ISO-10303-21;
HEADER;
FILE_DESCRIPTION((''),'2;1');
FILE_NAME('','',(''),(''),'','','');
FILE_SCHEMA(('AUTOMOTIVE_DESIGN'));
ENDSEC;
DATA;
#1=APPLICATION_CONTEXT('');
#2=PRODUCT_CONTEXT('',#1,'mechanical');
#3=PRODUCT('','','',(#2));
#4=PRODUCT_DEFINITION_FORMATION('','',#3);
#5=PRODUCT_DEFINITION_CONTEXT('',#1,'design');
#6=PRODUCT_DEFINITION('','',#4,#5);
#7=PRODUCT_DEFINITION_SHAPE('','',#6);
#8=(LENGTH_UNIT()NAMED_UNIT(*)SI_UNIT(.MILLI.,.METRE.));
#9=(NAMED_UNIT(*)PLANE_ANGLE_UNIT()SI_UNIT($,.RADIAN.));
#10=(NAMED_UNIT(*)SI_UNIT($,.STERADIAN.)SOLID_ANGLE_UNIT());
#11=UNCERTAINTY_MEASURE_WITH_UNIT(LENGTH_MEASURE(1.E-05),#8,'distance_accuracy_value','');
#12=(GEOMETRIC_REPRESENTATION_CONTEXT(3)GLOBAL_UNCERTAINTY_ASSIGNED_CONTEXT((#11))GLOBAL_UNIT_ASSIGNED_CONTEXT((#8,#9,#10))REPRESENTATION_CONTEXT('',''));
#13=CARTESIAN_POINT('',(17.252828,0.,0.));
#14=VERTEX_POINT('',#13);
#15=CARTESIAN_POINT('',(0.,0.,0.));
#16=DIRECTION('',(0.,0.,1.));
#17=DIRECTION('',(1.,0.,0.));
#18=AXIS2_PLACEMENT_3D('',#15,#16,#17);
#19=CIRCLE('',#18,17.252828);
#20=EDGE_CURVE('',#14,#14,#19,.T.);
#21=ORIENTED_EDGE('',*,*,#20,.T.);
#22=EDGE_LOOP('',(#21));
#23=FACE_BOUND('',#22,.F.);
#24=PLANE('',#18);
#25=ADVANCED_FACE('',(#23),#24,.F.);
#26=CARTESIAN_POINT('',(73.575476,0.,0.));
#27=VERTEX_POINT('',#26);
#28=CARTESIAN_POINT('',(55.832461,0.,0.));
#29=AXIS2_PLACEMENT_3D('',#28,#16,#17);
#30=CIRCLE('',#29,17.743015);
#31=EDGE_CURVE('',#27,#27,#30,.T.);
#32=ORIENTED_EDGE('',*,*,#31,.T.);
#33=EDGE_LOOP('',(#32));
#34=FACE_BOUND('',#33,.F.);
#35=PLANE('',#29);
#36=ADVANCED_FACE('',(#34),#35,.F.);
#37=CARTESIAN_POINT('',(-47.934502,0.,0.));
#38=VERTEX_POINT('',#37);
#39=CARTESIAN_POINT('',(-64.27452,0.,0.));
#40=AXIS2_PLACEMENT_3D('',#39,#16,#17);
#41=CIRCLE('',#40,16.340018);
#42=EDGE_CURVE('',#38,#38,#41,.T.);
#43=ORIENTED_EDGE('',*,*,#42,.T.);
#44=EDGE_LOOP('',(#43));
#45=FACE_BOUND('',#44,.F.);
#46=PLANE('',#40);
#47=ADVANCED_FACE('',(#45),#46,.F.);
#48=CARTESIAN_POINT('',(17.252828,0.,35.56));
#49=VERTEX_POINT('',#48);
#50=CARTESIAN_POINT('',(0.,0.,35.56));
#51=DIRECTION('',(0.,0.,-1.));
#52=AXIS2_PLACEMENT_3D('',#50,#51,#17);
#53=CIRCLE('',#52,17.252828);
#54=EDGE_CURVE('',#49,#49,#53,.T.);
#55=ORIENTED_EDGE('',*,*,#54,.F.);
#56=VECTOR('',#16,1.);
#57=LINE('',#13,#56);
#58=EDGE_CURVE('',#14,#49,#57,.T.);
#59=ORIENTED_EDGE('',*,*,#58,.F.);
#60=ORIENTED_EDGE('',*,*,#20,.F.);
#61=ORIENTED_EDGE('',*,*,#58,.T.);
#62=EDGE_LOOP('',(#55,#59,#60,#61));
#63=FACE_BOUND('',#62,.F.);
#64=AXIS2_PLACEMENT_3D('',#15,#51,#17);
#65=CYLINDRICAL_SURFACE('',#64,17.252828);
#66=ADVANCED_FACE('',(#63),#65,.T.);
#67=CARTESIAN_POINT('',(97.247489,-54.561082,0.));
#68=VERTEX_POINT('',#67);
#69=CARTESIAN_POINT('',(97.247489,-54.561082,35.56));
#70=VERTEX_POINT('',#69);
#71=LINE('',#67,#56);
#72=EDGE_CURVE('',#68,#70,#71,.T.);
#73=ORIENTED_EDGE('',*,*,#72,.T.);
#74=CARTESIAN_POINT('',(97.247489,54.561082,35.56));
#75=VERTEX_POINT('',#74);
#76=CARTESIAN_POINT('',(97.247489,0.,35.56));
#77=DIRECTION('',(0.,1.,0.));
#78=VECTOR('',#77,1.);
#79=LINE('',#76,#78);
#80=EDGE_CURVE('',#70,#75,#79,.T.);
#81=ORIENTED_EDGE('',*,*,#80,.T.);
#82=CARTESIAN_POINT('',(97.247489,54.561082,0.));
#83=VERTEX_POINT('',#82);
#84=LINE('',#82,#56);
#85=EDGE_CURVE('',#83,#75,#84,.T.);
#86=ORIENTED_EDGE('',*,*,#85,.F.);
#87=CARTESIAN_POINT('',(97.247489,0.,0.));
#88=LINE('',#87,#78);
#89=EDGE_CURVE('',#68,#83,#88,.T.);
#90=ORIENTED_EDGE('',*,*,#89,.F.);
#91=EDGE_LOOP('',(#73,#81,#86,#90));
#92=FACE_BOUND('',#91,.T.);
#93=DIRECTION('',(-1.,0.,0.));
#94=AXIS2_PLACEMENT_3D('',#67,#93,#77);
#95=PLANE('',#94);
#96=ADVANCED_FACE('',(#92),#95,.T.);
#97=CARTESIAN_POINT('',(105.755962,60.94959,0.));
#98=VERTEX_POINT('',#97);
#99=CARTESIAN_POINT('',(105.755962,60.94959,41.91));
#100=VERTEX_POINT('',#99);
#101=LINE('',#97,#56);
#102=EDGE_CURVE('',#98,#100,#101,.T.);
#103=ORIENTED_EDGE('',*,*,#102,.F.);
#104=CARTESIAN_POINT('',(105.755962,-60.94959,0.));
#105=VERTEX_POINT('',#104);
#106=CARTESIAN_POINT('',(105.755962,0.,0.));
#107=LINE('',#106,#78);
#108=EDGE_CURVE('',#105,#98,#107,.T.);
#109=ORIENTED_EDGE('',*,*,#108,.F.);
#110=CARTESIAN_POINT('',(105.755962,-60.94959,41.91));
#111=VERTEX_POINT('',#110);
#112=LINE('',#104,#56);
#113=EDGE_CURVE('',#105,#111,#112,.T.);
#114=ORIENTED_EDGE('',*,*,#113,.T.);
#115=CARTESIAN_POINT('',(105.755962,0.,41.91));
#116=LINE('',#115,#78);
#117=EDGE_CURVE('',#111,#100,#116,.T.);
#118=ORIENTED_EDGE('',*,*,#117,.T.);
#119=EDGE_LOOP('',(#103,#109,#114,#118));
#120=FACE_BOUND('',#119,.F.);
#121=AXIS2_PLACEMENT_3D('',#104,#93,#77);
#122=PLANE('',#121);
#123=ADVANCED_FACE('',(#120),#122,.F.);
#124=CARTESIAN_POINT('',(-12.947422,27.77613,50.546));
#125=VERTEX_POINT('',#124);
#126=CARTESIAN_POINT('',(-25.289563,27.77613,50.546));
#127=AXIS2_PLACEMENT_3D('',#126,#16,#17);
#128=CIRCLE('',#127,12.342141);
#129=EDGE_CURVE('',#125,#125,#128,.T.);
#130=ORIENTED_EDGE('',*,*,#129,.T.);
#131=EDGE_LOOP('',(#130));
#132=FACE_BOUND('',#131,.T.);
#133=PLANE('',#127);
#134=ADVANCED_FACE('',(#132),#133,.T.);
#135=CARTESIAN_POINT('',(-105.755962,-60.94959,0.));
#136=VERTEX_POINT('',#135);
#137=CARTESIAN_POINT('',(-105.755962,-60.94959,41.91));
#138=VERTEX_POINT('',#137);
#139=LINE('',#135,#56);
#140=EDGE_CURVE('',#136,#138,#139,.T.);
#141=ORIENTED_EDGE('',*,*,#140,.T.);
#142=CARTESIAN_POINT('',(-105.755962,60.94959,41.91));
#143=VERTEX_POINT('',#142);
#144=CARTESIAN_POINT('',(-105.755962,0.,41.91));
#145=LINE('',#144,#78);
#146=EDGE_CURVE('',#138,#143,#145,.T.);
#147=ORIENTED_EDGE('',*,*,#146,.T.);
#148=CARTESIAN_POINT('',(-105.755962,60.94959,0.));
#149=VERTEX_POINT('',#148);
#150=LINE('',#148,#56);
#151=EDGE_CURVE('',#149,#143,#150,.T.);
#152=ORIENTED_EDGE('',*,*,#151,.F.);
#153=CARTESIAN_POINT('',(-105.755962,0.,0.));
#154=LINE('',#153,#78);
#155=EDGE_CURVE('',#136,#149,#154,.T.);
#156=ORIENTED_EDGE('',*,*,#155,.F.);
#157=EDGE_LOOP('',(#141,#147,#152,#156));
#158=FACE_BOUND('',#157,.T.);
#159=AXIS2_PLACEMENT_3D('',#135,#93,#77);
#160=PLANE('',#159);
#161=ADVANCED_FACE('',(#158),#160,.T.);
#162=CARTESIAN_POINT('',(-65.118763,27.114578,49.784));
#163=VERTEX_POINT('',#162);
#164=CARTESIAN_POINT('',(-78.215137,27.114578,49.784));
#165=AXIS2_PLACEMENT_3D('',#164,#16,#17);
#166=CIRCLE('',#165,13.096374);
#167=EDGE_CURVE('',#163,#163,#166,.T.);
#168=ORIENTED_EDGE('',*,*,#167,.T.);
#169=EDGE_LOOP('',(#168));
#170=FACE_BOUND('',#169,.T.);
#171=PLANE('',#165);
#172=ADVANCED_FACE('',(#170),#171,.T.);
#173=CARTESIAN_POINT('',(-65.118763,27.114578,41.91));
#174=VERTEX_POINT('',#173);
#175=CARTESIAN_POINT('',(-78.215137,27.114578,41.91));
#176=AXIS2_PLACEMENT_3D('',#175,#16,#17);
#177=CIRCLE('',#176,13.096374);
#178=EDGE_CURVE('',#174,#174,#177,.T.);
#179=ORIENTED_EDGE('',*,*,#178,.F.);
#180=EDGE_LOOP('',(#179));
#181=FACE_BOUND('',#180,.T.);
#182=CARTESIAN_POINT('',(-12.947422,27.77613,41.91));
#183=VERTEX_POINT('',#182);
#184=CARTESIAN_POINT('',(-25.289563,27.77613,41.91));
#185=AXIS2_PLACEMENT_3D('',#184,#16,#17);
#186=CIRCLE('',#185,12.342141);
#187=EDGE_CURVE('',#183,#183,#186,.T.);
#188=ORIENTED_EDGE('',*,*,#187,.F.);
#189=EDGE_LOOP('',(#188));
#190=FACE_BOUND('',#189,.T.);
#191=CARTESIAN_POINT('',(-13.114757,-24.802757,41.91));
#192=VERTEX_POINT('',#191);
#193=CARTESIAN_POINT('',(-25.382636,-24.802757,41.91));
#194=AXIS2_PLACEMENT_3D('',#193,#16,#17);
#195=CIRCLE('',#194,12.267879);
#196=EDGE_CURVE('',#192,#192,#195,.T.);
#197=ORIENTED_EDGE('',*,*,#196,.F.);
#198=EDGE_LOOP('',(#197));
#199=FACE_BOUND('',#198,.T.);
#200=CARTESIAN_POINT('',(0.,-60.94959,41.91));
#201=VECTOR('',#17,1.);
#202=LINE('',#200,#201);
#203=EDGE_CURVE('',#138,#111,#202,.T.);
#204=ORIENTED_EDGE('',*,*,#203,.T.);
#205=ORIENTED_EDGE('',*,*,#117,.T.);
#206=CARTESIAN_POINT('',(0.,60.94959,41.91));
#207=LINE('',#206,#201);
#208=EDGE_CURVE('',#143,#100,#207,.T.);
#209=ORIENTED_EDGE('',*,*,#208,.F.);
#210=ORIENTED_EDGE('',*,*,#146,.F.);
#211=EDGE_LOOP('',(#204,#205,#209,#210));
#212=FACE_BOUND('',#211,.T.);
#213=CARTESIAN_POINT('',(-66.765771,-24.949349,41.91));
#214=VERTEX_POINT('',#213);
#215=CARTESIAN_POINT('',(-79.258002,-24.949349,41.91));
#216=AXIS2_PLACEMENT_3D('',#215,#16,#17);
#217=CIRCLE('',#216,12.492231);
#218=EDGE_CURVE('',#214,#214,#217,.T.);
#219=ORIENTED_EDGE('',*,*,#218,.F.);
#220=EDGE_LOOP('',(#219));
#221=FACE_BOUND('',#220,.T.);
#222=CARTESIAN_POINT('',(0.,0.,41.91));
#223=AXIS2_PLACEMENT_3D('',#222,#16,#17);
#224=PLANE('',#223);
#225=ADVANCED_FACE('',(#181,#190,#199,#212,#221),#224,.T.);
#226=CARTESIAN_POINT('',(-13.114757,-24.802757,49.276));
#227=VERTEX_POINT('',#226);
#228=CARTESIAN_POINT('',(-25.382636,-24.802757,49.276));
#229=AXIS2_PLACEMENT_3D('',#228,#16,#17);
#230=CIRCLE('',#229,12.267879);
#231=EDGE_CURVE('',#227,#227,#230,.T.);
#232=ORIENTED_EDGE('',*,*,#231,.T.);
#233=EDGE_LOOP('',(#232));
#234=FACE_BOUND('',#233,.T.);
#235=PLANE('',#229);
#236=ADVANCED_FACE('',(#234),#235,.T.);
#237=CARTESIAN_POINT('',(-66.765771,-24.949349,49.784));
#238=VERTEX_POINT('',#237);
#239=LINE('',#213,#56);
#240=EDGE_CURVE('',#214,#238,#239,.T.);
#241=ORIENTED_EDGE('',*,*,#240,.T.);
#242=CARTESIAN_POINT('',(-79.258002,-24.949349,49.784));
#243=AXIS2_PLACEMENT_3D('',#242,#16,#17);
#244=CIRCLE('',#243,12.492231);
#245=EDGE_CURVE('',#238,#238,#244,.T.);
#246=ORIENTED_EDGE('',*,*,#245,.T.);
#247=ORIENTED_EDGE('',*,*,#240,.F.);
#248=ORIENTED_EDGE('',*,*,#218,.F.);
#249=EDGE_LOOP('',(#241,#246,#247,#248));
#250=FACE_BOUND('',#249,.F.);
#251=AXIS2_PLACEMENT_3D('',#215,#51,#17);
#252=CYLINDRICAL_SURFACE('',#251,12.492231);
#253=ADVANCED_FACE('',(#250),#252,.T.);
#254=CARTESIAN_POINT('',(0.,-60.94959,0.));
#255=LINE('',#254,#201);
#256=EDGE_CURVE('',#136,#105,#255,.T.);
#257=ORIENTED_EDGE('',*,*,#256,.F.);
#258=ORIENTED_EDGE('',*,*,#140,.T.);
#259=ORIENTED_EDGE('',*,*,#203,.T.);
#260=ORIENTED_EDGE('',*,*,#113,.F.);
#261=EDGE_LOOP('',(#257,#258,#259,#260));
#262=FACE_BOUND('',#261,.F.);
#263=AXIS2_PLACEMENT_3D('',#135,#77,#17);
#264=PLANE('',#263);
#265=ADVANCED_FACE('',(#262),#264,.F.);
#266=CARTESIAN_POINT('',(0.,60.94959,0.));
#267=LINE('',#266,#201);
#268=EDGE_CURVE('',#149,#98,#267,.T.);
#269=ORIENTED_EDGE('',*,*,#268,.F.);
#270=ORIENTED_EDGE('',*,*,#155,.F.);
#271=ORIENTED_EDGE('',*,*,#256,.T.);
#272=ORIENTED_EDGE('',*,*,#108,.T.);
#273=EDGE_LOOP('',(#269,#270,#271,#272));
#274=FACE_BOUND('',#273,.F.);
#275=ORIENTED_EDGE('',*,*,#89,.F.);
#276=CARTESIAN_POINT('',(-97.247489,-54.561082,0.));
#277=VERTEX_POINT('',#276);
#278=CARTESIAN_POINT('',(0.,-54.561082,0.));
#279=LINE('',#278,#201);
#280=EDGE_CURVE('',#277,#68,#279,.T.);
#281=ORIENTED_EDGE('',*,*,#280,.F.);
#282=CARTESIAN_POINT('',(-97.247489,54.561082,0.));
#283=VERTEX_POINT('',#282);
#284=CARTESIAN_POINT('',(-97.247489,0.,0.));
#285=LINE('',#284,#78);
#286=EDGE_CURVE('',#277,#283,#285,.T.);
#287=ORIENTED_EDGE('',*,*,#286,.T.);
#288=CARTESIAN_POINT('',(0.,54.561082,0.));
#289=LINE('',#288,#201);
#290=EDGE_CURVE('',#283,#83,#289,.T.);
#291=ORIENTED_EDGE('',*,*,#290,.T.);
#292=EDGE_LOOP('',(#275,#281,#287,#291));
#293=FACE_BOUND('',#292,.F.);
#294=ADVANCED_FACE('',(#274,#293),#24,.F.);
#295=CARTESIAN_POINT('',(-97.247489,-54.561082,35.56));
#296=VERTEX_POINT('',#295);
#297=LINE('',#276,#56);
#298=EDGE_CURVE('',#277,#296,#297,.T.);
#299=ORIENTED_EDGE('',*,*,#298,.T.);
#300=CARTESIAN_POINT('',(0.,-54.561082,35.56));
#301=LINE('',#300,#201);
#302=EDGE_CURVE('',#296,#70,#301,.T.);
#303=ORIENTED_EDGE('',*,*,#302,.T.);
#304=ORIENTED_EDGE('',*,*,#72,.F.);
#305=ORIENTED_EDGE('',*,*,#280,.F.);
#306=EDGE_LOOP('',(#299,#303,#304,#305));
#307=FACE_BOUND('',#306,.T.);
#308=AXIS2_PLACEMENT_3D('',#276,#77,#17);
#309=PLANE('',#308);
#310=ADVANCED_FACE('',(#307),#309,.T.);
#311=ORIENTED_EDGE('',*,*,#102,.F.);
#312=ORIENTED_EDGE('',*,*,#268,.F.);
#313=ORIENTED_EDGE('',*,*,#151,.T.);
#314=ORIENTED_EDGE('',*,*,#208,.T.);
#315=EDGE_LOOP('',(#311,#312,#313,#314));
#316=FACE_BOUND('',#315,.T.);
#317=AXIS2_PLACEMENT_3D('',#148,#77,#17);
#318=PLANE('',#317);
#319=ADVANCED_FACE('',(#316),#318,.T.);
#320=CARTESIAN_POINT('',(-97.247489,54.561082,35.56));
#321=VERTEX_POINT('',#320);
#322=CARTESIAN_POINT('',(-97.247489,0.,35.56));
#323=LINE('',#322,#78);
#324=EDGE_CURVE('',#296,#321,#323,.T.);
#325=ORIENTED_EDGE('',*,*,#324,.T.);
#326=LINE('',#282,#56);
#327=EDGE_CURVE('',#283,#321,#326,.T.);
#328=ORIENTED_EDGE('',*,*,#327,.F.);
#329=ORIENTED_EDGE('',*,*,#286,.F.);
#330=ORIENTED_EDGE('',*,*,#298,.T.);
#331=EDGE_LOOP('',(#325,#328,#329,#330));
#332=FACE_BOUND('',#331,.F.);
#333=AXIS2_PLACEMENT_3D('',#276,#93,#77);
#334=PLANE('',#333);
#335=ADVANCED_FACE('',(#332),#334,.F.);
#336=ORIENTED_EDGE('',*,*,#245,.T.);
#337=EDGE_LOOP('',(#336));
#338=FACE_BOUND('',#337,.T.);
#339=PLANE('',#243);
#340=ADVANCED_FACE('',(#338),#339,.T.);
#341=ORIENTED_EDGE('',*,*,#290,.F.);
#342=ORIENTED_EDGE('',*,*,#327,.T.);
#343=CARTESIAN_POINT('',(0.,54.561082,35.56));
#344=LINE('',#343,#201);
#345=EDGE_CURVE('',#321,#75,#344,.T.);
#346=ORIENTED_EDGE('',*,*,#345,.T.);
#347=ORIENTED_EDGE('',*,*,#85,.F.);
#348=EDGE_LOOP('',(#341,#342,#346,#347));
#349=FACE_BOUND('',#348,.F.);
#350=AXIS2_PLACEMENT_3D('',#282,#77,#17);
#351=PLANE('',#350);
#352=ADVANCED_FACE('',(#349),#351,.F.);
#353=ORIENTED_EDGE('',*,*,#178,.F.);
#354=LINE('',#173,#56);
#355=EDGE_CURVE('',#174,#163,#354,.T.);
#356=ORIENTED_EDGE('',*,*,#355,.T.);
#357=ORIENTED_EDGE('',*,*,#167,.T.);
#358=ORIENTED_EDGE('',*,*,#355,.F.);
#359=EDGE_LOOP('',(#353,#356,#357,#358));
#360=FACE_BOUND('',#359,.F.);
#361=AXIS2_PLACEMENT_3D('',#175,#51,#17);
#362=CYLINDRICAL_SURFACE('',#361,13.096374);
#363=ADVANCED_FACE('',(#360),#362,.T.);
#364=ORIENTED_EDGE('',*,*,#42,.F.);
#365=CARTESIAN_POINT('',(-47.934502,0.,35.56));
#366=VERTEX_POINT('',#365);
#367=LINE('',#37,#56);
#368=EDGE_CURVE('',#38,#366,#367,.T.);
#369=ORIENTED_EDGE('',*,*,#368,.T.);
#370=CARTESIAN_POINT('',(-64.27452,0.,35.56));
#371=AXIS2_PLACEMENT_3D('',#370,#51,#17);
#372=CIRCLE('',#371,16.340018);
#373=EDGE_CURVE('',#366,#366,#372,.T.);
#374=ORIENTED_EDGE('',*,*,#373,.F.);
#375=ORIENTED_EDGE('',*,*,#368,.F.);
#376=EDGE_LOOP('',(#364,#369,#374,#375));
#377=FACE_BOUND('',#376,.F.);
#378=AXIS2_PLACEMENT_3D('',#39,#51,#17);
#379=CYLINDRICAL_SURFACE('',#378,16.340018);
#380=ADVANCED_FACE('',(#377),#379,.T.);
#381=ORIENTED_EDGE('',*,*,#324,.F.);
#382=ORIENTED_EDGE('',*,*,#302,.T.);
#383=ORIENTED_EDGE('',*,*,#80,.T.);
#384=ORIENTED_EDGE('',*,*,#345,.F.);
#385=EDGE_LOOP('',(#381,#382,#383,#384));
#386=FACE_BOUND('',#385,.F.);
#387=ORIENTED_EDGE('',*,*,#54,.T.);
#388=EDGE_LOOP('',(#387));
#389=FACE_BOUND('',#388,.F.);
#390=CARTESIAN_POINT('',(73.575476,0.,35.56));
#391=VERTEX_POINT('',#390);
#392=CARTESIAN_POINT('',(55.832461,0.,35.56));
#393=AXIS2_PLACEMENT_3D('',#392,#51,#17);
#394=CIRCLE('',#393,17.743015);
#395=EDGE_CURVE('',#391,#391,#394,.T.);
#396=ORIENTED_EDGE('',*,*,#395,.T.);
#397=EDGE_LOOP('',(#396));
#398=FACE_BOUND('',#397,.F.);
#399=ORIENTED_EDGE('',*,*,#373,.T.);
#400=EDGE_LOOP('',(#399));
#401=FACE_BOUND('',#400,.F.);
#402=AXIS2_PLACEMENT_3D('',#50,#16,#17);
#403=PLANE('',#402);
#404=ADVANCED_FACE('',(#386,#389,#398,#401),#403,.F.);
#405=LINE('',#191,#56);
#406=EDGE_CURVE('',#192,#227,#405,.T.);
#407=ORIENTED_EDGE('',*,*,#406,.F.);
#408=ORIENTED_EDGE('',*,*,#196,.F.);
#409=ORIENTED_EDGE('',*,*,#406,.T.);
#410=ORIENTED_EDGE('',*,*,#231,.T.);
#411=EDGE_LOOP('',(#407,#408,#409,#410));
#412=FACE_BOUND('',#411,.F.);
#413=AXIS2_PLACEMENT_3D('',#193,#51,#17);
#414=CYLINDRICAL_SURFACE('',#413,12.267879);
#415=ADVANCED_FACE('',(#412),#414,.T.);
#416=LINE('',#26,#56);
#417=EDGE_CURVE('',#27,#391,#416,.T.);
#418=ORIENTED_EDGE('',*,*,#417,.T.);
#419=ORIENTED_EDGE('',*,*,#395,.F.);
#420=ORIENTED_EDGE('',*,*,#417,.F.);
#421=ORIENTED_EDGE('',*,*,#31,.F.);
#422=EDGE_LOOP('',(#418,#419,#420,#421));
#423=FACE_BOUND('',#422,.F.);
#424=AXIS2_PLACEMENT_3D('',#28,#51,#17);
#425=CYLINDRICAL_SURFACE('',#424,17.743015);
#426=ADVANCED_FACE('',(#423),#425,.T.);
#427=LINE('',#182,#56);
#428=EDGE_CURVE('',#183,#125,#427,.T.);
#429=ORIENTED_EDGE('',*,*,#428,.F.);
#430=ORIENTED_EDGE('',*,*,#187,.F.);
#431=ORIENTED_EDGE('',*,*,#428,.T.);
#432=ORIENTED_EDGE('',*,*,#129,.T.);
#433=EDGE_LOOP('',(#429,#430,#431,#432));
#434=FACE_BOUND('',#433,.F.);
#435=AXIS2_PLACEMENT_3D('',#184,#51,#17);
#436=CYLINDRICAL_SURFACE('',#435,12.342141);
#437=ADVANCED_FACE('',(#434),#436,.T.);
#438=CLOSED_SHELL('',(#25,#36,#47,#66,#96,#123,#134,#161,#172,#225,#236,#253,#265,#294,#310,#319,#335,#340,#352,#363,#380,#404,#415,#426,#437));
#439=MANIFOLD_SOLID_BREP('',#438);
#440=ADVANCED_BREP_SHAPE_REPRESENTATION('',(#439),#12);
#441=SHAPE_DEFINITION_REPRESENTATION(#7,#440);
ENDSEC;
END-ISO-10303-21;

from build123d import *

# Parameters (mm, degrees)
F0_W      = 211.511924
F0_H      = 121.89918
F1_DEPTH  = 41.91
F2_R      = 13.096374
F3_DEPTH  = 7.874
F4_R      = 12.492231
F5_DEPTH  = 7.874
F6_R      = 12.342141
F7_DEPTH  = 8.636
F8_R      = 12.267879
F9_DEPTH  = 7.366
F10_W     = 194.494978
F10_H     = 109.122164
F11_DEPTH = 35.56
F12_R     = 17.252828
F13_DEPTH = 40.852703
F14_R     = 16.340018
F15_DEPTH = 40.93973
F16_R     = 17.743015
F17_DEPTH = 41.344658


with BuildPart() as f1:
    # F0 (on Top) → F1 (new body)
    with BuildSketch(Plane.XY):
        Rectangle(F0_W, F0_H)
    extrude(amount=F1_DEPTH)

    # F2 (on face) → F3 (join)
    with BuildSketch(Plane.XY.offset(41.91)):
        with Locations((-78.215137, 27.114578)):
            Circle(F2_R)
    extrude(amount=F3_DEPTH)

    # F4 (on face) → F5 (join)
    with BuildSketch(Plane.XY.offset(41.91)):
        with Locations((-79.258002, -24.949349)):
            Circle(F4_R)
    extrude(amount=F5_DEPTH)

    # F6 (on face) → F7 (join)
    with BuildSketch(Plane.XY.offset(41.91)):
        with Locations((-25.289563, 27.77613)):
            Circle(F6_R)
    extrude(amount=F7_DEPTH)

    # F8 (on face) → F9 (join)
    with BuildSketch(Plane.XY.offset(41.91)):
        with Locations((-25.382636, -24.802757)):
            Circle(F8_R)
    extrude(amount=F9_DEPTH)

    # F10 (on face) → F11 (cut)
    with BuildSketch(Plane.XY):
        Rectangle(F10_W, F10_H)
    extrude(amount=F11_DEPTH, mode=Mode.SUBTRACT)

    # F12 (on face) → F13 (join)
    with BuildSketch(Plane.XY):
        Circle(F12_R)
    extrude(amount=F13_DEPTH)

    # F14 (on face) → F15 (join)
    with BuildSketch(Plane.XY):
        with Locations((-64.27452, 0)):
            Circle(F14_R)
    extrude(amount=F15_DEPTH)

    # F16 (on face) → F17 (join)
    with BuildSketch(Plane.XY):
        with Locations((55.832461, 0)):
            Circle(F16_R)
    extrude(amount=F17_DEPTH)


solid = f1.part
